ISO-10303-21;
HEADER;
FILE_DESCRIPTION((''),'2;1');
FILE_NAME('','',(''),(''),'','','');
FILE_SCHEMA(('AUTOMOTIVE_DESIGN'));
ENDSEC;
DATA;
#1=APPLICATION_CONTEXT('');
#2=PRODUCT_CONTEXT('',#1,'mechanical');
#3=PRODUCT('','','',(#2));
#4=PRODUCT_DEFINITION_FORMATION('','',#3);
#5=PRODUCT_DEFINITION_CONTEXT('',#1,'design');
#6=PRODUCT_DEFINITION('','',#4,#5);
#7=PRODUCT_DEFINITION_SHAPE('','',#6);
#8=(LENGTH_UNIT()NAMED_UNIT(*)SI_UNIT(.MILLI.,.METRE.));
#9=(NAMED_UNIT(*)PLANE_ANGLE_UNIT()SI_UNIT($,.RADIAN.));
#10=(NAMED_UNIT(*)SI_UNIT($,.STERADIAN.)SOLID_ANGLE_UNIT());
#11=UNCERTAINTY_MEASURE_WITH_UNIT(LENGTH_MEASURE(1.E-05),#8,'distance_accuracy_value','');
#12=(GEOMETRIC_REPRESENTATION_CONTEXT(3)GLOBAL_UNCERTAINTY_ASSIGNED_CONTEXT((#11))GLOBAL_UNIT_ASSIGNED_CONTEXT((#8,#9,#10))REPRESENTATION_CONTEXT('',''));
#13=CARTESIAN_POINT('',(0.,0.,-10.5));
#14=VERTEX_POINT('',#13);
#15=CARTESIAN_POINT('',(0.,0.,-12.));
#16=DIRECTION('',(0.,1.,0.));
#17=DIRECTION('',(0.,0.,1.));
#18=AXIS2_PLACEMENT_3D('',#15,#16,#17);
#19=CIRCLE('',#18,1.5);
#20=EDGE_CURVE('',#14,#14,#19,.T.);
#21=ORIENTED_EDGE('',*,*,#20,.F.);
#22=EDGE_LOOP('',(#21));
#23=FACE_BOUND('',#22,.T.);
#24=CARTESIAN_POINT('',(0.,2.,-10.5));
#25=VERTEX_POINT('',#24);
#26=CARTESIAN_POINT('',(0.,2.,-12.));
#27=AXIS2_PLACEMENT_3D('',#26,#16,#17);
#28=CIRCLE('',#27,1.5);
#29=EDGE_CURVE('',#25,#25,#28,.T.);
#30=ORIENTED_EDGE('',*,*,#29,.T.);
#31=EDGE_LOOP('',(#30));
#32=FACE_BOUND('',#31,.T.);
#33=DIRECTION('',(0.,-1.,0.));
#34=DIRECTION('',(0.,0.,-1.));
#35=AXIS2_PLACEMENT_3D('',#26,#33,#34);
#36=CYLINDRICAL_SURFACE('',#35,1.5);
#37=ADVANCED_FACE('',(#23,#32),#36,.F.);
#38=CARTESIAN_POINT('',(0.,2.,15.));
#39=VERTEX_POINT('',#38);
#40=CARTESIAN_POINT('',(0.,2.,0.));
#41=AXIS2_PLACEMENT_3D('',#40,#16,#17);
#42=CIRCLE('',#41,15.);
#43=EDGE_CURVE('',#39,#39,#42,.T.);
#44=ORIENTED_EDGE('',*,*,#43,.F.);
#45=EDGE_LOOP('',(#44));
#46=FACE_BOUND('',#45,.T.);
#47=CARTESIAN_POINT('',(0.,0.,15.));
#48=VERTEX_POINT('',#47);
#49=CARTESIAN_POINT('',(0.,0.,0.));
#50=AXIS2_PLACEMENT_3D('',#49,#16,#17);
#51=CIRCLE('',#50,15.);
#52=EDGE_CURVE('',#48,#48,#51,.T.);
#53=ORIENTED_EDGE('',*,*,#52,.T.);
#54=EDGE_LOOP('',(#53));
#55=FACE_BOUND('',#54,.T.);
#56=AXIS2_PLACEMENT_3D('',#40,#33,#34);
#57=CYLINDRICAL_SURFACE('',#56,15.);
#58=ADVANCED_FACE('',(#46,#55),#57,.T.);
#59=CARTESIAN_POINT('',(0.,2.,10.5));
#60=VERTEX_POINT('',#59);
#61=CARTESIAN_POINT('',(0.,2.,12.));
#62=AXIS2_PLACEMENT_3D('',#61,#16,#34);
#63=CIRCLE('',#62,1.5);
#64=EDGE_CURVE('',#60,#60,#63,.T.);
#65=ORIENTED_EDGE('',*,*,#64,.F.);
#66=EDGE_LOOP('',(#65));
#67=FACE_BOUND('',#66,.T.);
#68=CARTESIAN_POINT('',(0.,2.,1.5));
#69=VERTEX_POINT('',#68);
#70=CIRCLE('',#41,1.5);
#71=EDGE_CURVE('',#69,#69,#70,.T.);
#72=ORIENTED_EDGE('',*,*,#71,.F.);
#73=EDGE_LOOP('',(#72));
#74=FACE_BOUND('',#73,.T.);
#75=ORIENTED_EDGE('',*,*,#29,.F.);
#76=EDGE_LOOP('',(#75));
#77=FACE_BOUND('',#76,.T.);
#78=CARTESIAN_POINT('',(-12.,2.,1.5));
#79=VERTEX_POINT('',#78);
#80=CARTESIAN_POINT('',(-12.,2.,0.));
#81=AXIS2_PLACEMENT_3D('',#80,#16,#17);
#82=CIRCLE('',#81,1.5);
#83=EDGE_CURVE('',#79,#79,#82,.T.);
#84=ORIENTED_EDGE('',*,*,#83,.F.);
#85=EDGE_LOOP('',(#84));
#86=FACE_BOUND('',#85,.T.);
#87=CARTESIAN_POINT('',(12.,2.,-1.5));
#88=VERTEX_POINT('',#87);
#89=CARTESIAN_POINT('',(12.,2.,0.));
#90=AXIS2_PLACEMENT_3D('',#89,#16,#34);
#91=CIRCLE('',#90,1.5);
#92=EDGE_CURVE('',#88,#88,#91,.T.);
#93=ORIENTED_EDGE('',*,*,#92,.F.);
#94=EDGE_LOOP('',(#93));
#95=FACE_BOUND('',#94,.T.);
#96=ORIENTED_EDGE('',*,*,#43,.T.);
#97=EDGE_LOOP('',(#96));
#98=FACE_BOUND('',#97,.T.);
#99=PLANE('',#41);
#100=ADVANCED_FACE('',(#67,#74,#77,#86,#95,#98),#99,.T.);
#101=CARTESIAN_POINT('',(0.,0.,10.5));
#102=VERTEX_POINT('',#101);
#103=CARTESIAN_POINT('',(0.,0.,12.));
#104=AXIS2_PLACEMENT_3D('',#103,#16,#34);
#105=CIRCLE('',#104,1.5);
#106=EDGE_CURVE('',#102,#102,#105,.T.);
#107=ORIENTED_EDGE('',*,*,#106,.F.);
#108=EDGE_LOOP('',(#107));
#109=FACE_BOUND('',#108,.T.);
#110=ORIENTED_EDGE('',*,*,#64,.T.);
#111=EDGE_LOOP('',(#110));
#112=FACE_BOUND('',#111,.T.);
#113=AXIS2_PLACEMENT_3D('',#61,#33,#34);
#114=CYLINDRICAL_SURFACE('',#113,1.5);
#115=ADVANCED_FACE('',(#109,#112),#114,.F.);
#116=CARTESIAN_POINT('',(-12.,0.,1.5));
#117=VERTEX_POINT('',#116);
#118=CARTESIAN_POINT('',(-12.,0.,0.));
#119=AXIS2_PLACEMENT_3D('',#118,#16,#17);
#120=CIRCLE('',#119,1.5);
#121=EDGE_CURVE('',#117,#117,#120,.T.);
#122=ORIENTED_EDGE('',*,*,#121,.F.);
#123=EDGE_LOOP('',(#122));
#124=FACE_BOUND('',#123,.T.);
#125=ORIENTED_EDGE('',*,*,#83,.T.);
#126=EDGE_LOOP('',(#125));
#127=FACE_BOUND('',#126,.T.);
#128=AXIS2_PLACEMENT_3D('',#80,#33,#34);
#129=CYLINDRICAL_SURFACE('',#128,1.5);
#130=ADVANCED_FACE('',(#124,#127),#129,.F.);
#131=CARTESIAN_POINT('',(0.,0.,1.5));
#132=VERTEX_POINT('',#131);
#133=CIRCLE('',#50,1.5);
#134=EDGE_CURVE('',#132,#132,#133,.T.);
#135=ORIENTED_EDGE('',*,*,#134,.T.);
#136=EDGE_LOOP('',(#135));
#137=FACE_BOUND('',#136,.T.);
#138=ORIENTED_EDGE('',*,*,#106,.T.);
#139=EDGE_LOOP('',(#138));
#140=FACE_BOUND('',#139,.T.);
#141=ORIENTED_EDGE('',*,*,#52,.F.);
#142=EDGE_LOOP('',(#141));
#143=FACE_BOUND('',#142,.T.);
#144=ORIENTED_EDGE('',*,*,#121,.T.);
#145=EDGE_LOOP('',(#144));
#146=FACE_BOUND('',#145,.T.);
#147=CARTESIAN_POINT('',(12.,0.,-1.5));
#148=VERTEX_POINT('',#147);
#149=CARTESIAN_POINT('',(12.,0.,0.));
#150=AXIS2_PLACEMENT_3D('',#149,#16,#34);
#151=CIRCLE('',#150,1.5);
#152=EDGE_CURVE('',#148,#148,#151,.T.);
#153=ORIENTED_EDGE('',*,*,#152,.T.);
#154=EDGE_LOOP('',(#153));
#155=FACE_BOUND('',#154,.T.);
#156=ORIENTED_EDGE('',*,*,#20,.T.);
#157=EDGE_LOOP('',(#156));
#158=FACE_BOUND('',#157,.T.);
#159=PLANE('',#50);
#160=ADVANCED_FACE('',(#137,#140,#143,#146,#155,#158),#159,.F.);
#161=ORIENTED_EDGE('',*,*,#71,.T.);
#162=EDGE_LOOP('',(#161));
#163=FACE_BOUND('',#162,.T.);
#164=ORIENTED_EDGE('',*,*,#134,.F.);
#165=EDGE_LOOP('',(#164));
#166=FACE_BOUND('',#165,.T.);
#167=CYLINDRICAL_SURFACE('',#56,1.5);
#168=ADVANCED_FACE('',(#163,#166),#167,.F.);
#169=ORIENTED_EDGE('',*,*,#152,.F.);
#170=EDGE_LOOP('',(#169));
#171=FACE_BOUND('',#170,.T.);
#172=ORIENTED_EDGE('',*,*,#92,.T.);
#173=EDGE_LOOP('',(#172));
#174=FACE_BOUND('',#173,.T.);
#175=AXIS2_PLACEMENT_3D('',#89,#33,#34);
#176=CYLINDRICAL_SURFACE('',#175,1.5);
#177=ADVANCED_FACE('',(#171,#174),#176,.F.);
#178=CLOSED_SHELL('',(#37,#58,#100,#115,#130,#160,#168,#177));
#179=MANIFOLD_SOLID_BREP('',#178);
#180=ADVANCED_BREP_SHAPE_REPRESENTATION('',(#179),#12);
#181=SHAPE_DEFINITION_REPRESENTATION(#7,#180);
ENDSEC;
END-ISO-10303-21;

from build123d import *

# Parameters (mm, degrees)
CROQUIS1_R              = 15
CROQUIS1_R_2            = 1.5
SALIENTE_EXTRUIR1_DEPTH = 2


with BuildPart() as part:
    # Croquis1 → Saliente-Extruir1 (new body)
    with BuildSketch(Plane(origin=(0, 0, 0), x_dir=(1, 0, 0), z_dir=(0, 1, 0))):
        with Locations(Location((0, 0, 0), (0, 0, 270))):
            Circle(CROQUIS1_R)
        with Locations(Location((0, 0, 0), (0, 0, 270))):
            Circle(CROQUIS1_R_2, mode=Mode.SUBTRACT)
        with Locations(Location((-12, 0, 0), (0, 0, 270))):
            Circle(CROQUIS1_R_2, mode=Mode.SUBTRACT)
        with Locations(Location((12, 0, 0), (0, 0, 90))):
            Circle(CROQUIS1_R_2, mode=Mode.SUBTRACT)
        with Locations(Location((0, 12, 0), (0, 0, 270))):
            Circle(CROQUIS1_R_2, mode=Mode.SUBTRACT)
        with Locations(Location((0, -12, 0), (0, 0, 90))):
            Circle(CROQUIS1_R_2, mode=Mode.SUBTRACT)
    extrude(amount=SALIENTE_EXTRUIR1_DEPTH)


solid = part.part
